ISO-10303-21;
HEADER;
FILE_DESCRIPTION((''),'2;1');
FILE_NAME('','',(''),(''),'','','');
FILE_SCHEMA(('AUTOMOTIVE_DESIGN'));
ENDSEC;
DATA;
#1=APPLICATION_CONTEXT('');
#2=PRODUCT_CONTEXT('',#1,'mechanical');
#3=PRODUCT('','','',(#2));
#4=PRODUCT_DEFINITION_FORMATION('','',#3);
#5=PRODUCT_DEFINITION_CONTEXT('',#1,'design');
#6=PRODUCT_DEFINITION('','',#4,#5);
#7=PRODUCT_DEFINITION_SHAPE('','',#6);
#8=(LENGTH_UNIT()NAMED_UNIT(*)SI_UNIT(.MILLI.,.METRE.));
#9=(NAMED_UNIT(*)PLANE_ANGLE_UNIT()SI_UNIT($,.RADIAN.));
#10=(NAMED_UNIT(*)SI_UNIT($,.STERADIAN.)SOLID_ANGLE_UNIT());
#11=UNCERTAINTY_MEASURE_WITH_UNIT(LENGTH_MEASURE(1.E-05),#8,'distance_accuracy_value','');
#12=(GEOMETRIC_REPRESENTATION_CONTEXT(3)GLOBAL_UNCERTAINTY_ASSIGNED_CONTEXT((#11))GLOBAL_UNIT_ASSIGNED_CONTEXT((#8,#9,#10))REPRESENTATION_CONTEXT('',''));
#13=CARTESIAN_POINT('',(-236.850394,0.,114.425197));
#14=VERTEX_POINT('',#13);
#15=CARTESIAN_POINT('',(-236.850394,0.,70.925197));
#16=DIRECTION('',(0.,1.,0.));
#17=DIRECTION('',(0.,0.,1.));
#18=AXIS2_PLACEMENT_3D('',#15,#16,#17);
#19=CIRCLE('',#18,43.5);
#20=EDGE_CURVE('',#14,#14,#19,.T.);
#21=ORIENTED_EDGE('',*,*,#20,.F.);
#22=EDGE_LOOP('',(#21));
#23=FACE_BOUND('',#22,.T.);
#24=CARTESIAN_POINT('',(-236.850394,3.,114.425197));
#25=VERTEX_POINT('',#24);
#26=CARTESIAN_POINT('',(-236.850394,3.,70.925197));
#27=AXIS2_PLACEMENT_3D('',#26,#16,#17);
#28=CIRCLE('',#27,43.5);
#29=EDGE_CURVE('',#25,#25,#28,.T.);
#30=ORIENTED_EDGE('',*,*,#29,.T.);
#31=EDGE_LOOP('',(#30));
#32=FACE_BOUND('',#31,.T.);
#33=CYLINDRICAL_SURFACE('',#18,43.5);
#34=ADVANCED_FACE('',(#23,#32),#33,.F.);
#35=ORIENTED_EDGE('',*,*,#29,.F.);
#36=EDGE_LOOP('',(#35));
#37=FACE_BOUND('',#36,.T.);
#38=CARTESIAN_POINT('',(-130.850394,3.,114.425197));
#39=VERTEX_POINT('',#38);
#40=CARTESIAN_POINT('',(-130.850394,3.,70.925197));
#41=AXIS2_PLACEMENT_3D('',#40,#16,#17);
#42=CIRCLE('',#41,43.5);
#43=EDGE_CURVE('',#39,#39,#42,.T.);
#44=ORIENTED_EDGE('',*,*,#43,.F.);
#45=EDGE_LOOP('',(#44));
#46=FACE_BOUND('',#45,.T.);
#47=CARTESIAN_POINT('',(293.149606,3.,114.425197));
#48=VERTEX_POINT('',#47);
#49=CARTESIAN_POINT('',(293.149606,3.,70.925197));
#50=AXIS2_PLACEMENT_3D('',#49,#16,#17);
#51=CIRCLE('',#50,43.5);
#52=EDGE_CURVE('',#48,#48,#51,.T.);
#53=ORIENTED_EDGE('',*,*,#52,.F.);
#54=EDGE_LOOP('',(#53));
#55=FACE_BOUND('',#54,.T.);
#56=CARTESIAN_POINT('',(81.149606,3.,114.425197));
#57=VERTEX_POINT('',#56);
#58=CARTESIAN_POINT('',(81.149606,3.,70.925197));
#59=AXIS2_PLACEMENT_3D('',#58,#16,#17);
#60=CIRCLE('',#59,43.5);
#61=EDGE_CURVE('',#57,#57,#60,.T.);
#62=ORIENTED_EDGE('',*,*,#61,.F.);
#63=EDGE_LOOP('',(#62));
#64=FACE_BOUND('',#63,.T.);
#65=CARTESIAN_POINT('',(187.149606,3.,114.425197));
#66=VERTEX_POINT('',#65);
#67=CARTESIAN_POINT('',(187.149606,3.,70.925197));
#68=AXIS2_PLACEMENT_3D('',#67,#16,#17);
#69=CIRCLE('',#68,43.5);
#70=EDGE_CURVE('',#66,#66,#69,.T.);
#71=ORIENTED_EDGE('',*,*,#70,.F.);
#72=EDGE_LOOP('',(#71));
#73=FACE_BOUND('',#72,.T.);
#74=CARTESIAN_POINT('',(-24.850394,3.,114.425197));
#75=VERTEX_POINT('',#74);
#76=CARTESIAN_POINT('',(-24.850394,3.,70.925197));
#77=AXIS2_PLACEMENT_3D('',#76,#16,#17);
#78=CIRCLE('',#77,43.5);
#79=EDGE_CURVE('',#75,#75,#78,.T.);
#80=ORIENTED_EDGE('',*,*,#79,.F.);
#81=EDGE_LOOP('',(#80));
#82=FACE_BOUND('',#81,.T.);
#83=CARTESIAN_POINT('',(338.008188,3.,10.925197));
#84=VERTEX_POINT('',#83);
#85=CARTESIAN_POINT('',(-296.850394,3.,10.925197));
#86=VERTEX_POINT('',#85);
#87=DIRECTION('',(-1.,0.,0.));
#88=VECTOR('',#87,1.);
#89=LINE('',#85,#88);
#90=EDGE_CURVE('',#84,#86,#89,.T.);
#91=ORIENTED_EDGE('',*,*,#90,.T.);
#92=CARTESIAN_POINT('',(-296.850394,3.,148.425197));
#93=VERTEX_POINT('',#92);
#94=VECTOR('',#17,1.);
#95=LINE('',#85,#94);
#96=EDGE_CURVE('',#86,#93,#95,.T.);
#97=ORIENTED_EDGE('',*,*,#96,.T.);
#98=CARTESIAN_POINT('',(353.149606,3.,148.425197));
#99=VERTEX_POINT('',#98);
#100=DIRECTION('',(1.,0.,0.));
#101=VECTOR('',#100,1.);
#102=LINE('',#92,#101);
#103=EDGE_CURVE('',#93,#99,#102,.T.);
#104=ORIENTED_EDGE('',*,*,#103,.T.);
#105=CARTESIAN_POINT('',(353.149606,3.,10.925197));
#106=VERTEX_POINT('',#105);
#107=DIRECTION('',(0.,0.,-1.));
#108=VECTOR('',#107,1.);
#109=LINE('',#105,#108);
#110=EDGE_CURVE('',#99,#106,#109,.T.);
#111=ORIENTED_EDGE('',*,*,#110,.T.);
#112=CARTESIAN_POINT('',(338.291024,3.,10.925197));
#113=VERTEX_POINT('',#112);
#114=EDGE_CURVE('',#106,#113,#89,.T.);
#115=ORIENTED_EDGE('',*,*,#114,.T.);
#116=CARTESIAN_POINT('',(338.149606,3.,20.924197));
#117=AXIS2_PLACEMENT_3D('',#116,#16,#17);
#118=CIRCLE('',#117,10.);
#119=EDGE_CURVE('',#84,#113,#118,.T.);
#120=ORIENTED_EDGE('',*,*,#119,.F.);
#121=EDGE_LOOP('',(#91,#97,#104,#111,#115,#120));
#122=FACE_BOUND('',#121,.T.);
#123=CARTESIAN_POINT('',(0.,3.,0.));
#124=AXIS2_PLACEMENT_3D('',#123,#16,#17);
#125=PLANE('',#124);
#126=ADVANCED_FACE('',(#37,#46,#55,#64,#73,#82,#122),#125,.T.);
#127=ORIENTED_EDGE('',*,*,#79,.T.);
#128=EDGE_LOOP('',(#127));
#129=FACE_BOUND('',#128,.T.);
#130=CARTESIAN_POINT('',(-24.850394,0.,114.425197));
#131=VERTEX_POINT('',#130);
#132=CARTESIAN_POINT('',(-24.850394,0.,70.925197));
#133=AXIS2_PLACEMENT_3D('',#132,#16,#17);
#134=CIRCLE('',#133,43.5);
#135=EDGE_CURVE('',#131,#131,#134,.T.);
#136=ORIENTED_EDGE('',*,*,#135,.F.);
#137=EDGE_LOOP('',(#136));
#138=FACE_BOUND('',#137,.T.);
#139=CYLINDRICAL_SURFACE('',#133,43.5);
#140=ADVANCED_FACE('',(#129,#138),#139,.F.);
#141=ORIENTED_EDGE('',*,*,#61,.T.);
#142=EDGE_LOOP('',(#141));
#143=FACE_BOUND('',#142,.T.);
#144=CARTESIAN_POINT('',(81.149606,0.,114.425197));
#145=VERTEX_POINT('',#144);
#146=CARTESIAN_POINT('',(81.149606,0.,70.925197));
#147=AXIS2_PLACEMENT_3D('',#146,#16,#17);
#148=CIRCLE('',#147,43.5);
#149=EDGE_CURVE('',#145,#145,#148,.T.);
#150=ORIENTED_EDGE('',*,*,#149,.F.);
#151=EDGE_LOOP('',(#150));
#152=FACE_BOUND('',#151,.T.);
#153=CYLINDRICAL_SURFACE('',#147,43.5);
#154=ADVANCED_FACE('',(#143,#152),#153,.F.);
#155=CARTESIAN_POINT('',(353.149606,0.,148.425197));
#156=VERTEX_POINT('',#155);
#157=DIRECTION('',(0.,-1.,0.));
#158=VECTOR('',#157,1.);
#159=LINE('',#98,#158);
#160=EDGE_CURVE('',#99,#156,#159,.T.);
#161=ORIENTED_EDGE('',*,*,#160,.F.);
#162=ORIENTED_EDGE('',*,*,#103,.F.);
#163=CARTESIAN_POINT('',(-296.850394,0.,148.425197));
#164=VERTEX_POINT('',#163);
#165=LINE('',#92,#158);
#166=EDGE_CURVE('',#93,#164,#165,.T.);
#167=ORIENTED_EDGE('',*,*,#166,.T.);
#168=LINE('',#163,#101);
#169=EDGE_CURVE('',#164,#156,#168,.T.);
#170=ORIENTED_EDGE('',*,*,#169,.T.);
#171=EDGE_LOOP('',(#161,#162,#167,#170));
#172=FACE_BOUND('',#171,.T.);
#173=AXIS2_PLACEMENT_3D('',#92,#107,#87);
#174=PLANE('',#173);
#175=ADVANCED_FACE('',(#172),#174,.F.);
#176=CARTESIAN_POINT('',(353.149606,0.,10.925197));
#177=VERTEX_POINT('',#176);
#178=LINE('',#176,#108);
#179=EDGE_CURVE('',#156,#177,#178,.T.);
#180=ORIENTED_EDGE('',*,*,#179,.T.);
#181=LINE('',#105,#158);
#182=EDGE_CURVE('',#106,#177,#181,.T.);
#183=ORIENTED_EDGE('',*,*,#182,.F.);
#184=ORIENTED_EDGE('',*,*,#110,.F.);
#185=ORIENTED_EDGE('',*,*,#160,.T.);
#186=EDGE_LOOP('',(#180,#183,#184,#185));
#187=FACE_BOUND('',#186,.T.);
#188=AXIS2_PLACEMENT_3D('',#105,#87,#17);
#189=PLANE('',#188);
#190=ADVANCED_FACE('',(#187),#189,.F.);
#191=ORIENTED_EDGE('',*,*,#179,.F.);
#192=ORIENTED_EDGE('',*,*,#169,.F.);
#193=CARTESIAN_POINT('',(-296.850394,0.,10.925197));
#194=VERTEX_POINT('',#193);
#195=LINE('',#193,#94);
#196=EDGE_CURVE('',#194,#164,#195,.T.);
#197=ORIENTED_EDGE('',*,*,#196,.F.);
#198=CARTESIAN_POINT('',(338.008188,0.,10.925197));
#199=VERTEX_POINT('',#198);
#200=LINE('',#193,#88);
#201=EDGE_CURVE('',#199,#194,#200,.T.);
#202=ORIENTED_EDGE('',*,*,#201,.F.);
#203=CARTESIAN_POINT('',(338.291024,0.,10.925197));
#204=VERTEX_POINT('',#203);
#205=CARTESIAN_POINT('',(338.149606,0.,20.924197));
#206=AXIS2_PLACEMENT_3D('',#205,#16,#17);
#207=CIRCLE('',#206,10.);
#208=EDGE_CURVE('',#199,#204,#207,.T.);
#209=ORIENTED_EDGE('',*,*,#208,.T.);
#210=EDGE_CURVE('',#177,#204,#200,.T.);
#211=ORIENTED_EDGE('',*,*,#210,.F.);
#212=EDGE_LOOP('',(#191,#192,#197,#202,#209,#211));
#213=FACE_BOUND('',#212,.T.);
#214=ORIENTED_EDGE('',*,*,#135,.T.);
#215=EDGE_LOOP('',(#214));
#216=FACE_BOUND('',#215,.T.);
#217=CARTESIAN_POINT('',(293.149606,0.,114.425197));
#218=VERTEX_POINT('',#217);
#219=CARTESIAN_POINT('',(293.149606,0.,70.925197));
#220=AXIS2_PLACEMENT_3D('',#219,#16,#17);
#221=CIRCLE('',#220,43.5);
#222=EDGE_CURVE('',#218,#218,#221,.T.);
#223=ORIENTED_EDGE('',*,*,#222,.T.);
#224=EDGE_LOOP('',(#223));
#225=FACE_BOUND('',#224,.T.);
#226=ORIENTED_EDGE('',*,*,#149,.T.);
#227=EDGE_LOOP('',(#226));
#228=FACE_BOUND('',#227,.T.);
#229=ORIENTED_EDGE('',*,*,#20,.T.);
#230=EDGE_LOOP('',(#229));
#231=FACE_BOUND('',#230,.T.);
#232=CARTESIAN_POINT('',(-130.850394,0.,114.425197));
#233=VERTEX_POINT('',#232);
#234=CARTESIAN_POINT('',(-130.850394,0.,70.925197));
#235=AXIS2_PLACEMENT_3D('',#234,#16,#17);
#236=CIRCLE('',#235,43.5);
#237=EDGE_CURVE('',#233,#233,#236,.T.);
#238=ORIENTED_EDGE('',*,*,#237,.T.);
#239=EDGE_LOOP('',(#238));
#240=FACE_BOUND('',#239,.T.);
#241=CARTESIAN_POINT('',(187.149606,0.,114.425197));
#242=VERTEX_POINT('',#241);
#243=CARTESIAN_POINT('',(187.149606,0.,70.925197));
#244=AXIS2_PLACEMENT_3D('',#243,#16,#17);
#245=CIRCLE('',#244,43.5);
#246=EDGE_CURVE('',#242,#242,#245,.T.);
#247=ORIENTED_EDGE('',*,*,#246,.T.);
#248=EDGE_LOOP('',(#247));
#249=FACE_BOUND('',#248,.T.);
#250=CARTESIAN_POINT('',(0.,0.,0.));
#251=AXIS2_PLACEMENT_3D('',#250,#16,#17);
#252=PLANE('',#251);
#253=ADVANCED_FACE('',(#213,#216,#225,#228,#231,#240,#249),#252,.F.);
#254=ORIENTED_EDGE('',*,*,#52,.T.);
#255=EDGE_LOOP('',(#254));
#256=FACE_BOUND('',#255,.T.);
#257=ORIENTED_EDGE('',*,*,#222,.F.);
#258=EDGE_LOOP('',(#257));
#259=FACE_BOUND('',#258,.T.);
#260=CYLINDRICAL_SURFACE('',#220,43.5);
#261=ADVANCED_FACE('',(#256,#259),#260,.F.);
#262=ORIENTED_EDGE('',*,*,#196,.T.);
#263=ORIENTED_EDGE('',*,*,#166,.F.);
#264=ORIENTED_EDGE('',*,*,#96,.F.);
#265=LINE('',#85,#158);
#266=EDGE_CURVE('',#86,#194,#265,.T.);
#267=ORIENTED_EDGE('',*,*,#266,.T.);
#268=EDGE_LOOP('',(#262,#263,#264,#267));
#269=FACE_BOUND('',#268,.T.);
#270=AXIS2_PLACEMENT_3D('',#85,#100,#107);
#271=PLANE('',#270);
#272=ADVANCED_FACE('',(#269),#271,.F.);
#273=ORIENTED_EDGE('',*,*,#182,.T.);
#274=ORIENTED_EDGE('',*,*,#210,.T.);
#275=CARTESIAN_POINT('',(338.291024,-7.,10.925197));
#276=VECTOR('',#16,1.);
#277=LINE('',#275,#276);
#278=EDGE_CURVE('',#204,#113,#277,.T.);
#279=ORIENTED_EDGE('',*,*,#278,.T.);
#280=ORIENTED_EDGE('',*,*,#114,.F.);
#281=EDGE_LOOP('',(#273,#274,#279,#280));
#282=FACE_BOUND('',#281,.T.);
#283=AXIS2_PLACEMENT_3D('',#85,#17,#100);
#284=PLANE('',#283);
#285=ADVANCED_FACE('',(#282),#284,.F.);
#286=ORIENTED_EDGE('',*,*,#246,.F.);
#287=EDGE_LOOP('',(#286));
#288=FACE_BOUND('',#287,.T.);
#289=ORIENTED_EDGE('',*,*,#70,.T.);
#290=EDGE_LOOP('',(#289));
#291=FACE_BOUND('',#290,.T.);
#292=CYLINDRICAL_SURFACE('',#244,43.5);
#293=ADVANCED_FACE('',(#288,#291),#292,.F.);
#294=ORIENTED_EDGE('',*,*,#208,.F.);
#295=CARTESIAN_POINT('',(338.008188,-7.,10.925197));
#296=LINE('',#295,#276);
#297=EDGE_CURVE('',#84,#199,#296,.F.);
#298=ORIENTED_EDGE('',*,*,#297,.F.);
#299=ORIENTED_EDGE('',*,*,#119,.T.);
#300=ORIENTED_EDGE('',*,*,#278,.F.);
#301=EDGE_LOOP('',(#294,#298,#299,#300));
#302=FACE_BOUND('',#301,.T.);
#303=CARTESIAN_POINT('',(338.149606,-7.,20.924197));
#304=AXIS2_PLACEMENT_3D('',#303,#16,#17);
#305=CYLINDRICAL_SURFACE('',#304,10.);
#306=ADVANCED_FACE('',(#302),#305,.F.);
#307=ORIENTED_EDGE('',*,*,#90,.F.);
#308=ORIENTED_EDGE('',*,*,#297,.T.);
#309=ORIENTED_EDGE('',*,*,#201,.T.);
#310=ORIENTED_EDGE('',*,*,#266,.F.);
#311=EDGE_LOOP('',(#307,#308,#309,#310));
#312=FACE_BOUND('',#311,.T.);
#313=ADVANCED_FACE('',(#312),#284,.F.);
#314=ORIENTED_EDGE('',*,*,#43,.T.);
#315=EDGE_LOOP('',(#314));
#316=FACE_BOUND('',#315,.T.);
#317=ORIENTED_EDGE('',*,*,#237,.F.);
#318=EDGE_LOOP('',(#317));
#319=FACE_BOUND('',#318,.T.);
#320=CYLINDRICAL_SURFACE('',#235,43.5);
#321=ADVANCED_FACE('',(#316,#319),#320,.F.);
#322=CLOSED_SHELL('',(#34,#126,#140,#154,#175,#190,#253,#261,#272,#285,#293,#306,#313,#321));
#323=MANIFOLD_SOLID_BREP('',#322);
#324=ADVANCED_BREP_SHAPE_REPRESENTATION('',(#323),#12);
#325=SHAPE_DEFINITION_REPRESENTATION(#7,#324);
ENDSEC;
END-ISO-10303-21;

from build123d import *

# Parameters (mm, degrees)
SKETCH1_W           = 650
SKETCH1_H           = 137.5
BOSS_EXTRUDE1_DEPTH = 3
SKETCH2_R           = 43.5
CUT_EXTRUDE1_DEPTH  = 384.084433891
SKETCH2_3_R         = 43.5
SKETCH2_3_R_2       = 10
CUT_EXTRUDE2_DEPTH  = 10


with BuildPart() as part:
    # Sketch1 → Boss-Extrude1 (new body)
    with BuildSketch(Plane(origin=(0, 0, 0), x_dir=(1, 0, 0), z_dir=(0, 1, 0))):
        with Locations((28.149606299, -79.67519685)):
            Rectangle(SKETCH1_W, SKETCH1_H)
    extrude(amount=BOSS_EXTRUDE1_DEPTH)

    # Sketch2 → Cut-Extrude1 (cut, through all)
    with BuildSketch(Plane(origin=(0, 3, 0), x_dir=(1, 0, 0), z_dir=(0, 1, 0))):
        with Locations((-236.850393701, -70.92519685)):
            Circle(SKETCH2_R)
        with Locations((-130.850393701, -70.92519685)):
            Circle(SKETCH2_R)
        with Locations((-24.850393701, -70.92519685)):
            Circle(SKETCH2_R)
        with Locations((81.149606299, -70.92519685)):
            Circle(SKETCH2_R)
        with Locations((187.149606299, -70.92519685)):
            Circle(SKETCH2_R)
        with Locations((293.149606299, -70.92519685)):
            Circle(SKETCH2_R)
    extrude(amount=-CUT_EXTRUDE1_DEPTH, mode=Mode.SUBTRACT)

    # Sketch2<3> → Cut-Extrude2 (cut)
    with BuildSketch(Plane(origin=(0, 3, 0), x_dir=(1, 0, 0), z_dir=(0, 1, 0))):
        with Locations((-236.850393701, -70.92519685)):
            Circle(SKETCH2_3_R)
        with Locations((-130.850393701, -70.92519685)):
            Circle(SKETCH2_3_R)
        with Locations((-24.850393701, -70.92519685)):
            Circle(SKETCH2_3_R)
        with Locations((81.149606299, -70.92519685)):
            Circle(SKETCH2_3_R)
        with Locations((187.149606299, -70.92519685)):
            Circle(SKETCH2_3_R)
        with Locations((293.149606299, -70.92519685)):
            Circle(SKETCH2_3_R)
        with Locations((338.149606299, -20.92419685)):
            Circle(SKETCH2_3_R_2)
    extrude(amount=-CUT_EXTRUDE2_DEPTH, mode=Mode.SUBTRACT)


solid = part.part
